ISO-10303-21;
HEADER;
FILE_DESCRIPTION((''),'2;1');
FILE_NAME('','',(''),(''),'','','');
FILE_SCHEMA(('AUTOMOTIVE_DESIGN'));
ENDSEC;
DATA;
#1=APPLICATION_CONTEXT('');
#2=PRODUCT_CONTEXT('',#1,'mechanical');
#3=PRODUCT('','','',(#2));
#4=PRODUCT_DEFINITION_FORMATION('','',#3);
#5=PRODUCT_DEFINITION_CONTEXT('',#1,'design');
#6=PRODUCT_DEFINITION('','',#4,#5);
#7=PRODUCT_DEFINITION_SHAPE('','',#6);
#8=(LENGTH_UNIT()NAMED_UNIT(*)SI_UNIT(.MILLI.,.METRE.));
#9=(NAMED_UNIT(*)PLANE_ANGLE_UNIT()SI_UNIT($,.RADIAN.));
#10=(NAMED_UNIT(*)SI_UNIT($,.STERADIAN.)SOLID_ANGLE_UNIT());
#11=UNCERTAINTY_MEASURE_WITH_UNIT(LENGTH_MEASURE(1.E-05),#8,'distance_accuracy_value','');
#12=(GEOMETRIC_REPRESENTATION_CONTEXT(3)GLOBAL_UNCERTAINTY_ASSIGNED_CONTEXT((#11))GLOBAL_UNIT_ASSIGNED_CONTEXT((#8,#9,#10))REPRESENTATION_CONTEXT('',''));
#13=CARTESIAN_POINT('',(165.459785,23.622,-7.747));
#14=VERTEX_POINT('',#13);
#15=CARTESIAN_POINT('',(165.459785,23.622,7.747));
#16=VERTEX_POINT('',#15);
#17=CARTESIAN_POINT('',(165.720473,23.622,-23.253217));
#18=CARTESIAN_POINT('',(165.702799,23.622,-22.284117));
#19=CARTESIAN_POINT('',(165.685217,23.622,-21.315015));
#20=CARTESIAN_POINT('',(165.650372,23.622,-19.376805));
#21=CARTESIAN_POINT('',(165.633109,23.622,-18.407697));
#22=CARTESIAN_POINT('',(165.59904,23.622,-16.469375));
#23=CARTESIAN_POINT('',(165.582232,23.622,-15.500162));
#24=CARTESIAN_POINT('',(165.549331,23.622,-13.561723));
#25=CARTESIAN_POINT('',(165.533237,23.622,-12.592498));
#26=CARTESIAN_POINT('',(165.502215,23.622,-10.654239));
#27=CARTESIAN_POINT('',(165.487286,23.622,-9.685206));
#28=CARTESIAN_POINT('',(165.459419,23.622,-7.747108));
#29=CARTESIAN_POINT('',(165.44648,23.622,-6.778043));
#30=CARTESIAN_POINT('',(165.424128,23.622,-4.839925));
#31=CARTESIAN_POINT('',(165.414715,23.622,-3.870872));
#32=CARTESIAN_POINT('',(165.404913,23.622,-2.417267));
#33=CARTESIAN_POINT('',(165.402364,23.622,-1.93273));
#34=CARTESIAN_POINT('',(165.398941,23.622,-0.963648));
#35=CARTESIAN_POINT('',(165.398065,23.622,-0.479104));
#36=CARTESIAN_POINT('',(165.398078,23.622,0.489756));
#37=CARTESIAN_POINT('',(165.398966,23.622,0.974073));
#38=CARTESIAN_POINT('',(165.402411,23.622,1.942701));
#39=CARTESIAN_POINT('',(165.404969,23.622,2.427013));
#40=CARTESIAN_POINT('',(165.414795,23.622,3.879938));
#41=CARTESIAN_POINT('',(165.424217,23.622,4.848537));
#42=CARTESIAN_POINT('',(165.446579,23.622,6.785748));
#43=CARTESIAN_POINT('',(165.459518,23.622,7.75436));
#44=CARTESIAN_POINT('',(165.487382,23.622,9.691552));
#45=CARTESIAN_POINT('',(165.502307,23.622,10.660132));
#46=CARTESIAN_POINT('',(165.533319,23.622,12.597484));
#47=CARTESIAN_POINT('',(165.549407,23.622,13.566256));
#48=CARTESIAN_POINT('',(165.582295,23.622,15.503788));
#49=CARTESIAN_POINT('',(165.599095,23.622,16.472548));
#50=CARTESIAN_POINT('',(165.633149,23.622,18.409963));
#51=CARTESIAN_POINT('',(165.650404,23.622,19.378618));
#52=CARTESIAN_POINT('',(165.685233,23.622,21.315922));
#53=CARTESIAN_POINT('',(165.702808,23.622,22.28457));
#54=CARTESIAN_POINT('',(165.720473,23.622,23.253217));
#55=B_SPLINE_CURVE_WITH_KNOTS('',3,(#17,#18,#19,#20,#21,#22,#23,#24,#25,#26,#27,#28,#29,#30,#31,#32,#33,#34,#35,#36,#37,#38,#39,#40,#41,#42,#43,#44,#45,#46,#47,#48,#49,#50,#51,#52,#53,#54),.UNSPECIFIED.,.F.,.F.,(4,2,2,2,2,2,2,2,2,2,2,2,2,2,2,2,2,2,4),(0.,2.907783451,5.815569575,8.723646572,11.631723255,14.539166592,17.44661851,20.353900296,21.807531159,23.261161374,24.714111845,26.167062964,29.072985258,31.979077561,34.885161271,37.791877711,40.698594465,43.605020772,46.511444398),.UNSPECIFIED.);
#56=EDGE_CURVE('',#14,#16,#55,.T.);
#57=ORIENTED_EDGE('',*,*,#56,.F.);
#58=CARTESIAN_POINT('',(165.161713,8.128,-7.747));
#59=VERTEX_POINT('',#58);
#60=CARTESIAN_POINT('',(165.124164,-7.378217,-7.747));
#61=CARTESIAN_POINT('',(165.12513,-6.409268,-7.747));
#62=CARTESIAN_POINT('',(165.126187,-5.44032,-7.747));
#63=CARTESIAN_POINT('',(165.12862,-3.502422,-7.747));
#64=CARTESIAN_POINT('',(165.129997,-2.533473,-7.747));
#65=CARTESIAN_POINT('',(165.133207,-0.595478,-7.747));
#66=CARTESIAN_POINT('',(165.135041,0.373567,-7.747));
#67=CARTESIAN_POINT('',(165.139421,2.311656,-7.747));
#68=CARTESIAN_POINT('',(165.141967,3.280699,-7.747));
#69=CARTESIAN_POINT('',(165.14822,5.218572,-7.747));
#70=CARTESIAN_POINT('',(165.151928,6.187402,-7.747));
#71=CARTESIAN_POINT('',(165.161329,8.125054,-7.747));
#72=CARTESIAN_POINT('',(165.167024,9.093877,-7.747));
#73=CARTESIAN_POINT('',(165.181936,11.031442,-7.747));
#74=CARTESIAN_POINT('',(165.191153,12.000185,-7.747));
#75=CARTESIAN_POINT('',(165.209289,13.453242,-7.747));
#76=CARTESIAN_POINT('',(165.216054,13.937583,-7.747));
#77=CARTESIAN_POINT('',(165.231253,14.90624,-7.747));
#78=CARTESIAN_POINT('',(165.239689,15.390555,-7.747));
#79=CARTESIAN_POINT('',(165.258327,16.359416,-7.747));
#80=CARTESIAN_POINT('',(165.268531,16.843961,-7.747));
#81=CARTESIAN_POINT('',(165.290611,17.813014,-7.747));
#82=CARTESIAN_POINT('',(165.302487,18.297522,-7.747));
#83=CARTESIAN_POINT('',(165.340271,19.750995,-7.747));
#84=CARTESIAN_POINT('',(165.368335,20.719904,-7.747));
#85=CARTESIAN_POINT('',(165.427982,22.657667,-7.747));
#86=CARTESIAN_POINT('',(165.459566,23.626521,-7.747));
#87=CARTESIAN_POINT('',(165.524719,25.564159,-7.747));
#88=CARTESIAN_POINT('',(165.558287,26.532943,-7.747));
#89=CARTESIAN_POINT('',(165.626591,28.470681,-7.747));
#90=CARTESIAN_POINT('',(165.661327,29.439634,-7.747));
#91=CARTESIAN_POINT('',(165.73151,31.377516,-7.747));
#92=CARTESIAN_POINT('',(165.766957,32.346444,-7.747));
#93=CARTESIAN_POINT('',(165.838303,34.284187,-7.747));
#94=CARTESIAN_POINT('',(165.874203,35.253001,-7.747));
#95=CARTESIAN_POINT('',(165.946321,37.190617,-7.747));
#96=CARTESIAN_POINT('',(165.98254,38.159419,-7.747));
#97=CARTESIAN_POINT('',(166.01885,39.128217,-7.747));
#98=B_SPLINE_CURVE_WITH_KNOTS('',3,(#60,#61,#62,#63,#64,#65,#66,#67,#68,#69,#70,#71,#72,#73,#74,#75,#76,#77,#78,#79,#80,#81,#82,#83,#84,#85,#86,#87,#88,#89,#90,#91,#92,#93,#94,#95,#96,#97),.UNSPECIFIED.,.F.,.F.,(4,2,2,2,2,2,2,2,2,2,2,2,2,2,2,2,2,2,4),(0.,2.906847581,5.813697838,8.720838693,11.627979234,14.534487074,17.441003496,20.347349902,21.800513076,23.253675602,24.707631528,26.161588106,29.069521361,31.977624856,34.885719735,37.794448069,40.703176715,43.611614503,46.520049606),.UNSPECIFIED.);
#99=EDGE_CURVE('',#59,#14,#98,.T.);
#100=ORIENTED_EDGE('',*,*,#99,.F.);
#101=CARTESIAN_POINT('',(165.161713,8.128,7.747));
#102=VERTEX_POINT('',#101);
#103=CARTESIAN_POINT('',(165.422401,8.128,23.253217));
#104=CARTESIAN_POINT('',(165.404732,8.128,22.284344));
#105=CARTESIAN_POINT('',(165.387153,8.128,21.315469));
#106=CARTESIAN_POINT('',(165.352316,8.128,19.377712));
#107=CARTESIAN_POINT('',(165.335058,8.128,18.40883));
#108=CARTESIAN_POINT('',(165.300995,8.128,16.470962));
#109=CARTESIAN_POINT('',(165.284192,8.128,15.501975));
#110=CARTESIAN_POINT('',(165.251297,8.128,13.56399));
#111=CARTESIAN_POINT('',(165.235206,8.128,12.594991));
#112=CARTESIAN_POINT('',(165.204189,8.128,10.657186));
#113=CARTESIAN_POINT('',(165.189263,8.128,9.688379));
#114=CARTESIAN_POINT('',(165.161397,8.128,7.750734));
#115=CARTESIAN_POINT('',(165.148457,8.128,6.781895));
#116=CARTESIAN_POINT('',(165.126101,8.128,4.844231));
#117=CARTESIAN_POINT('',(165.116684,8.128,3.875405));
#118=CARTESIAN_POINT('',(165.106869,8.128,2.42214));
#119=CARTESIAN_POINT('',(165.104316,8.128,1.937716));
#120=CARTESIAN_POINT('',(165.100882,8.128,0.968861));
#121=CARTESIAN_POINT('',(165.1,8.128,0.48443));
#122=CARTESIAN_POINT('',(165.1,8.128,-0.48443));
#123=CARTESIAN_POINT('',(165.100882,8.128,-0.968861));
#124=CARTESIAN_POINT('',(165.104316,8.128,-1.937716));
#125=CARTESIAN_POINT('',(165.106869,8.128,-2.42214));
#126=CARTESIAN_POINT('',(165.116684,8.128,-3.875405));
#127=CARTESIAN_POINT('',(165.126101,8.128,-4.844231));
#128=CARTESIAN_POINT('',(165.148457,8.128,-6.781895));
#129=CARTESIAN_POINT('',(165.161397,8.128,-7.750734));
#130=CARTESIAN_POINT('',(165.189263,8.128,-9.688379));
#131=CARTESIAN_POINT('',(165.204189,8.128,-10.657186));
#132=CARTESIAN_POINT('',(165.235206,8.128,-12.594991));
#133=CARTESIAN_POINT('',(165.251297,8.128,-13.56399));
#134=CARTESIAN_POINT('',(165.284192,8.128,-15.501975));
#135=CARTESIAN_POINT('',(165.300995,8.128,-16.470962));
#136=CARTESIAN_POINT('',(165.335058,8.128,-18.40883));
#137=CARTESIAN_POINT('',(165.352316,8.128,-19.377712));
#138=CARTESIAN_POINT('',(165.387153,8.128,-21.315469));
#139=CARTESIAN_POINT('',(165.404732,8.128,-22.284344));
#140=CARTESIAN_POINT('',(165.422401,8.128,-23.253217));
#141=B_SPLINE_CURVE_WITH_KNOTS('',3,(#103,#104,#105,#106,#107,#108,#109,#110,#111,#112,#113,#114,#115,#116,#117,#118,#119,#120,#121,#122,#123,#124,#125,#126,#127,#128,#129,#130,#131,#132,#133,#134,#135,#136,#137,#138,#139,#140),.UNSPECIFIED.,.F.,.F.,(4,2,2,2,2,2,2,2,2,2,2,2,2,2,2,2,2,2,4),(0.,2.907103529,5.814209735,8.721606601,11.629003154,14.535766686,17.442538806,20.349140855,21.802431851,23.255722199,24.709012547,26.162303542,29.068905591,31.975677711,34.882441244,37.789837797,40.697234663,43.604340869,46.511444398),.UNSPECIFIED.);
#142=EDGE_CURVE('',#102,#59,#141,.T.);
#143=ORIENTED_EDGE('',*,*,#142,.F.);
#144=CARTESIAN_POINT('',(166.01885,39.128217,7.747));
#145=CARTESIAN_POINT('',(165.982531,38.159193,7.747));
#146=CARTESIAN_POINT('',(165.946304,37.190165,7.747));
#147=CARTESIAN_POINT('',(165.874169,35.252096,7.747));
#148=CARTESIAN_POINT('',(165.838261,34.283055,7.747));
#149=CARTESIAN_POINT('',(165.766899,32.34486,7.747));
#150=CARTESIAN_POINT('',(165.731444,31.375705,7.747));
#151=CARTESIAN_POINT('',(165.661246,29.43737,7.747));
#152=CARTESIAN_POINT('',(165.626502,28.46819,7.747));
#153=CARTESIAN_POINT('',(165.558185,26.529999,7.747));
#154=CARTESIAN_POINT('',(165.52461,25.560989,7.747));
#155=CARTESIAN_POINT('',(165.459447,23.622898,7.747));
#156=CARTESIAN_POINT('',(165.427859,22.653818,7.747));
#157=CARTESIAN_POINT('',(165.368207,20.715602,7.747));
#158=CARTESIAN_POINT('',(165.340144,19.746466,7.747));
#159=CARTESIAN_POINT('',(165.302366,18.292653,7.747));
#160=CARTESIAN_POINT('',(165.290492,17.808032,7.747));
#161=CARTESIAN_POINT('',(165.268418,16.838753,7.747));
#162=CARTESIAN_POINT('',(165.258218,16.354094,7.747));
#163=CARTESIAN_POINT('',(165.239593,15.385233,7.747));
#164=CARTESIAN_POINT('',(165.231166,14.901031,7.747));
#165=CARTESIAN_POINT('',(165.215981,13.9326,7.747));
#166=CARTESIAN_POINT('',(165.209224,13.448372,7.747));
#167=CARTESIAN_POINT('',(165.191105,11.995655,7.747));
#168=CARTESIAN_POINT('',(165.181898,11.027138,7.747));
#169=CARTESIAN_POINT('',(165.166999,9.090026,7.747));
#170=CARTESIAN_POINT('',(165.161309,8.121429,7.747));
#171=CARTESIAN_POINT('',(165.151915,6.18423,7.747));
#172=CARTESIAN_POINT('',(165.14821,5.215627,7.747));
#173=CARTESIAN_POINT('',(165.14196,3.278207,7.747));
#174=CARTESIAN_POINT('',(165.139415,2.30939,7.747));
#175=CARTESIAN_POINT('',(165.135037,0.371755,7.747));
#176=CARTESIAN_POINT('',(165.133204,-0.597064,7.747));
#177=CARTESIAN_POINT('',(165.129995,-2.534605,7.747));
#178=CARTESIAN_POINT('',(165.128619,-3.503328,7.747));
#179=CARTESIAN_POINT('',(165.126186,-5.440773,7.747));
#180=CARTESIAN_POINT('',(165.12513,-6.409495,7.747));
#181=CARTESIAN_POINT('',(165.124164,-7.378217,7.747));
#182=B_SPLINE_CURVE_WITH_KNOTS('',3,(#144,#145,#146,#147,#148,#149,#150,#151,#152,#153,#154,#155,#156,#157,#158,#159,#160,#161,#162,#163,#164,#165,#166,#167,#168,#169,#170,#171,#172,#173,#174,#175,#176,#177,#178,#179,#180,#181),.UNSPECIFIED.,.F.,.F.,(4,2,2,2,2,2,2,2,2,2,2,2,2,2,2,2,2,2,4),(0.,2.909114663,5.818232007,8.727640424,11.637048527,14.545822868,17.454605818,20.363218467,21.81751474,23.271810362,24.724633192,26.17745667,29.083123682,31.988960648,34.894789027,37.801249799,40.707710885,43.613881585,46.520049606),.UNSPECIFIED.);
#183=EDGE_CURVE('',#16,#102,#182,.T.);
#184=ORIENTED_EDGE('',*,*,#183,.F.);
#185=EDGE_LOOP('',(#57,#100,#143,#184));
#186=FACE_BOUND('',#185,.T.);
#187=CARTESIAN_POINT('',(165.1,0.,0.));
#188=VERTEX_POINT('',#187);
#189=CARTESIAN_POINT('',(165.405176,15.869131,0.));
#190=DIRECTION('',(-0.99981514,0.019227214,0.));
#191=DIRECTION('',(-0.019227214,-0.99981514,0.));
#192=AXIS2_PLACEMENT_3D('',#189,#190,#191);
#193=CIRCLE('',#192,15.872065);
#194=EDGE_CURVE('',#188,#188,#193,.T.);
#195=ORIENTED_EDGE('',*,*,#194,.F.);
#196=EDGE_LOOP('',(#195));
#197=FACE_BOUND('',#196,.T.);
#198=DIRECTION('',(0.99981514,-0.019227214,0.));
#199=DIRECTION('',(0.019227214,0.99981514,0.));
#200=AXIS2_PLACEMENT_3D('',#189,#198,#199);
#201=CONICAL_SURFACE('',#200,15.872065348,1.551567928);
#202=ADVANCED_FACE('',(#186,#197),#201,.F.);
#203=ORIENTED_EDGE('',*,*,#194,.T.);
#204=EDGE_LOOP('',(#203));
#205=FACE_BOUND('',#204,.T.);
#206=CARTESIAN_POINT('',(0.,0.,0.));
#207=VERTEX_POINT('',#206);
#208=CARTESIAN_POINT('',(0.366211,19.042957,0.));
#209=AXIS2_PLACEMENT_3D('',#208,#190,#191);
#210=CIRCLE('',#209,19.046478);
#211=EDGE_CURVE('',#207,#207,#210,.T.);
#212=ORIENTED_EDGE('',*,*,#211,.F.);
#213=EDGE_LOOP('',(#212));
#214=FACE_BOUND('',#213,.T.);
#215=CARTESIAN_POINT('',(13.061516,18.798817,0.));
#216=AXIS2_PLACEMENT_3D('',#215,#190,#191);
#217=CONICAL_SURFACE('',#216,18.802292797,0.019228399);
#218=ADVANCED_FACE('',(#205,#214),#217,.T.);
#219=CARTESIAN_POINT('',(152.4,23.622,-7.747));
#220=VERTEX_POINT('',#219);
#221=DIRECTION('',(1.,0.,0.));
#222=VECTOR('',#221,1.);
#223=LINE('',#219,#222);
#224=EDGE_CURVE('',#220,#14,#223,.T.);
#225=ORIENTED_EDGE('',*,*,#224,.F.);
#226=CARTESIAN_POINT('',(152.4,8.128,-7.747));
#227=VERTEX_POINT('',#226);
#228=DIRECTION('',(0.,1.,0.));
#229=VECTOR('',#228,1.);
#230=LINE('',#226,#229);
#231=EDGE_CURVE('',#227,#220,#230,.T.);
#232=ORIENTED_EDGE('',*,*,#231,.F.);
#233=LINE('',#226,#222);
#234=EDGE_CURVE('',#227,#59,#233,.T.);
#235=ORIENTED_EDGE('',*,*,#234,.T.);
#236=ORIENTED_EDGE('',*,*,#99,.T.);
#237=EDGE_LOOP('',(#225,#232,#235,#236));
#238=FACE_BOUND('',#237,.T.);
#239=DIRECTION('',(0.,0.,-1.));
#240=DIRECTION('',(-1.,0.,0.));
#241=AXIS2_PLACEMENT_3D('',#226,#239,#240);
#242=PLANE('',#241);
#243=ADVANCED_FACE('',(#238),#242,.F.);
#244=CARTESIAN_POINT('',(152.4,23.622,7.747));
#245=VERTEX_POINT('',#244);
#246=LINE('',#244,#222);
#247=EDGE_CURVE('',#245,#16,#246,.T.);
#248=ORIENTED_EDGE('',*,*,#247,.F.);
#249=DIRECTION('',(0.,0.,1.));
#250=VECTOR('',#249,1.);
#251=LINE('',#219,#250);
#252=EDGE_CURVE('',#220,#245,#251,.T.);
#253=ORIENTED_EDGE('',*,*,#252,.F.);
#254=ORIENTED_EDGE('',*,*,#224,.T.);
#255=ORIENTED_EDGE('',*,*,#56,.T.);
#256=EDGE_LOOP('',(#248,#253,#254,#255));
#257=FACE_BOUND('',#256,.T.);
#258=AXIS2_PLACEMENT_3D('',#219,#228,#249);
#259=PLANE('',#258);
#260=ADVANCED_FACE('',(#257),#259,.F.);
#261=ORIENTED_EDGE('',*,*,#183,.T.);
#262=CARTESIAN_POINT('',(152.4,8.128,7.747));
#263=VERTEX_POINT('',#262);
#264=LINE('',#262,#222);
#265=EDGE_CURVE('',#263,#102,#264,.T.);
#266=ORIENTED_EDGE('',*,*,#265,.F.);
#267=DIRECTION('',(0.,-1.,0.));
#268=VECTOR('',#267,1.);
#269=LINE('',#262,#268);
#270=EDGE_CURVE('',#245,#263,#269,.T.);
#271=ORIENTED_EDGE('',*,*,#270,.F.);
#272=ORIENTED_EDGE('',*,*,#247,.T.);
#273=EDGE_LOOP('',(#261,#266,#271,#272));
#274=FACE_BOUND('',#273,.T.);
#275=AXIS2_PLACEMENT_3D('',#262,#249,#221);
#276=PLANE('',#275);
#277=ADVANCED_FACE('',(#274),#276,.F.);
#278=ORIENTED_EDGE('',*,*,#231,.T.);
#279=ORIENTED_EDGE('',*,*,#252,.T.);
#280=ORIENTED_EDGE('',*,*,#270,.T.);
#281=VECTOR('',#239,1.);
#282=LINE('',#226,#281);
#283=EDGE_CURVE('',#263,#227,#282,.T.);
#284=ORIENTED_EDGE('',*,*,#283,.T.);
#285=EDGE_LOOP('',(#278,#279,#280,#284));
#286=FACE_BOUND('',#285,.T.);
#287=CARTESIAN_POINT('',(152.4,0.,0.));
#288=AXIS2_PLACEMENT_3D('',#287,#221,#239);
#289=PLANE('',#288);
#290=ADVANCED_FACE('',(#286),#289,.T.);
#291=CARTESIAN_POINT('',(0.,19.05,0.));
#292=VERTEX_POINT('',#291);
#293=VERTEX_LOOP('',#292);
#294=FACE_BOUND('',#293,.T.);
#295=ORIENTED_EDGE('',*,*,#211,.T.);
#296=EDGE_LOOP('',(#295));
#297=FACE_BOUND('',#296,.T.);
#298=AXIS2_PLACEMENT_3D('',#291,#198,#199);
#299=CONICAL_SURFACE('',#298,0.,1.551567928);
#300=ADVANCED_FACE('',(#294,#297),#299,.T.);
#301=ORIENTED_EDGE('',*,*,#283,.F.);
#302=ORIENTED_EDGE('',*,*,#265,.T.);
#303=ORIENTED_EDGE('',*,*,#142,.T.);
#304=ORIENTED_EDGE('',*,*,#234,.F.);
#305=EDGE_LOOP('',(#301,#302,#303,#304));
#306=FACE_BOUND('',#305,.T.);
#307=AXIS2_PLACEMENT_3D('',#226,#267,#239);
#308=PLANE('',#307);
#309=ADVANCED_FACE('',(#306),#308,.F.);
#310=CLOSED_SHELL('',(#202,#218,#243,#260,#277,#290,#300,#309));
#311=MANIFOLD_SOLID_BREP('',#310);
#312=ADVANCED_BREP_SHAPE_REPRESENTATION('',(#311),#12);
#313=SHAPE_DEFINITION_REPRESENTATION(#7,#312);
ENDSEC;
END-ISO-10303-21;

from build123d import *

# Parameters (mm, degrees)
SKETCH2_W          = 15.494
SKETCH2_H          = 15.494
CUT_EXTRUDE1_DEPTH = 12.7


with BuildPart() as part:
    # Sketch1 → Revolve1 (revolve)
    with BuildSketch(Plane.XY, mode=Mode.PRIVATE) as revolve1_sk:
        Polygon((165.1, 0), (165.1, 15.875), (0, 19.05), (0, 0), (12.7, 0), align=None)
    revolve(revolve1_sk.sketch.rotate(Axis((0, 19.05, 0), (0.9998151400298467, -0.01922721423134321, 0)), 180), axis=Axis((0, 19.05, 0), (0.9998151400298467, -0.01922721423134321, 0)))

    # Sketch2 → Cut-Extrude1 (cut, symmetric)
    with BuildSketch(Plane(origin=(165.1, 0, 0), x_dir=(0, 0, -1), z_dir=(1, 0, 0))):
        with Locations((0, 15.875)):
            Rectangle(SKETCH2_W, SKETCH2_H)
    extrude(amount=CUT_EXTRUDE1_DEPTH, both=True, mode=Mode.SUBTRACT)


solid = part.part
